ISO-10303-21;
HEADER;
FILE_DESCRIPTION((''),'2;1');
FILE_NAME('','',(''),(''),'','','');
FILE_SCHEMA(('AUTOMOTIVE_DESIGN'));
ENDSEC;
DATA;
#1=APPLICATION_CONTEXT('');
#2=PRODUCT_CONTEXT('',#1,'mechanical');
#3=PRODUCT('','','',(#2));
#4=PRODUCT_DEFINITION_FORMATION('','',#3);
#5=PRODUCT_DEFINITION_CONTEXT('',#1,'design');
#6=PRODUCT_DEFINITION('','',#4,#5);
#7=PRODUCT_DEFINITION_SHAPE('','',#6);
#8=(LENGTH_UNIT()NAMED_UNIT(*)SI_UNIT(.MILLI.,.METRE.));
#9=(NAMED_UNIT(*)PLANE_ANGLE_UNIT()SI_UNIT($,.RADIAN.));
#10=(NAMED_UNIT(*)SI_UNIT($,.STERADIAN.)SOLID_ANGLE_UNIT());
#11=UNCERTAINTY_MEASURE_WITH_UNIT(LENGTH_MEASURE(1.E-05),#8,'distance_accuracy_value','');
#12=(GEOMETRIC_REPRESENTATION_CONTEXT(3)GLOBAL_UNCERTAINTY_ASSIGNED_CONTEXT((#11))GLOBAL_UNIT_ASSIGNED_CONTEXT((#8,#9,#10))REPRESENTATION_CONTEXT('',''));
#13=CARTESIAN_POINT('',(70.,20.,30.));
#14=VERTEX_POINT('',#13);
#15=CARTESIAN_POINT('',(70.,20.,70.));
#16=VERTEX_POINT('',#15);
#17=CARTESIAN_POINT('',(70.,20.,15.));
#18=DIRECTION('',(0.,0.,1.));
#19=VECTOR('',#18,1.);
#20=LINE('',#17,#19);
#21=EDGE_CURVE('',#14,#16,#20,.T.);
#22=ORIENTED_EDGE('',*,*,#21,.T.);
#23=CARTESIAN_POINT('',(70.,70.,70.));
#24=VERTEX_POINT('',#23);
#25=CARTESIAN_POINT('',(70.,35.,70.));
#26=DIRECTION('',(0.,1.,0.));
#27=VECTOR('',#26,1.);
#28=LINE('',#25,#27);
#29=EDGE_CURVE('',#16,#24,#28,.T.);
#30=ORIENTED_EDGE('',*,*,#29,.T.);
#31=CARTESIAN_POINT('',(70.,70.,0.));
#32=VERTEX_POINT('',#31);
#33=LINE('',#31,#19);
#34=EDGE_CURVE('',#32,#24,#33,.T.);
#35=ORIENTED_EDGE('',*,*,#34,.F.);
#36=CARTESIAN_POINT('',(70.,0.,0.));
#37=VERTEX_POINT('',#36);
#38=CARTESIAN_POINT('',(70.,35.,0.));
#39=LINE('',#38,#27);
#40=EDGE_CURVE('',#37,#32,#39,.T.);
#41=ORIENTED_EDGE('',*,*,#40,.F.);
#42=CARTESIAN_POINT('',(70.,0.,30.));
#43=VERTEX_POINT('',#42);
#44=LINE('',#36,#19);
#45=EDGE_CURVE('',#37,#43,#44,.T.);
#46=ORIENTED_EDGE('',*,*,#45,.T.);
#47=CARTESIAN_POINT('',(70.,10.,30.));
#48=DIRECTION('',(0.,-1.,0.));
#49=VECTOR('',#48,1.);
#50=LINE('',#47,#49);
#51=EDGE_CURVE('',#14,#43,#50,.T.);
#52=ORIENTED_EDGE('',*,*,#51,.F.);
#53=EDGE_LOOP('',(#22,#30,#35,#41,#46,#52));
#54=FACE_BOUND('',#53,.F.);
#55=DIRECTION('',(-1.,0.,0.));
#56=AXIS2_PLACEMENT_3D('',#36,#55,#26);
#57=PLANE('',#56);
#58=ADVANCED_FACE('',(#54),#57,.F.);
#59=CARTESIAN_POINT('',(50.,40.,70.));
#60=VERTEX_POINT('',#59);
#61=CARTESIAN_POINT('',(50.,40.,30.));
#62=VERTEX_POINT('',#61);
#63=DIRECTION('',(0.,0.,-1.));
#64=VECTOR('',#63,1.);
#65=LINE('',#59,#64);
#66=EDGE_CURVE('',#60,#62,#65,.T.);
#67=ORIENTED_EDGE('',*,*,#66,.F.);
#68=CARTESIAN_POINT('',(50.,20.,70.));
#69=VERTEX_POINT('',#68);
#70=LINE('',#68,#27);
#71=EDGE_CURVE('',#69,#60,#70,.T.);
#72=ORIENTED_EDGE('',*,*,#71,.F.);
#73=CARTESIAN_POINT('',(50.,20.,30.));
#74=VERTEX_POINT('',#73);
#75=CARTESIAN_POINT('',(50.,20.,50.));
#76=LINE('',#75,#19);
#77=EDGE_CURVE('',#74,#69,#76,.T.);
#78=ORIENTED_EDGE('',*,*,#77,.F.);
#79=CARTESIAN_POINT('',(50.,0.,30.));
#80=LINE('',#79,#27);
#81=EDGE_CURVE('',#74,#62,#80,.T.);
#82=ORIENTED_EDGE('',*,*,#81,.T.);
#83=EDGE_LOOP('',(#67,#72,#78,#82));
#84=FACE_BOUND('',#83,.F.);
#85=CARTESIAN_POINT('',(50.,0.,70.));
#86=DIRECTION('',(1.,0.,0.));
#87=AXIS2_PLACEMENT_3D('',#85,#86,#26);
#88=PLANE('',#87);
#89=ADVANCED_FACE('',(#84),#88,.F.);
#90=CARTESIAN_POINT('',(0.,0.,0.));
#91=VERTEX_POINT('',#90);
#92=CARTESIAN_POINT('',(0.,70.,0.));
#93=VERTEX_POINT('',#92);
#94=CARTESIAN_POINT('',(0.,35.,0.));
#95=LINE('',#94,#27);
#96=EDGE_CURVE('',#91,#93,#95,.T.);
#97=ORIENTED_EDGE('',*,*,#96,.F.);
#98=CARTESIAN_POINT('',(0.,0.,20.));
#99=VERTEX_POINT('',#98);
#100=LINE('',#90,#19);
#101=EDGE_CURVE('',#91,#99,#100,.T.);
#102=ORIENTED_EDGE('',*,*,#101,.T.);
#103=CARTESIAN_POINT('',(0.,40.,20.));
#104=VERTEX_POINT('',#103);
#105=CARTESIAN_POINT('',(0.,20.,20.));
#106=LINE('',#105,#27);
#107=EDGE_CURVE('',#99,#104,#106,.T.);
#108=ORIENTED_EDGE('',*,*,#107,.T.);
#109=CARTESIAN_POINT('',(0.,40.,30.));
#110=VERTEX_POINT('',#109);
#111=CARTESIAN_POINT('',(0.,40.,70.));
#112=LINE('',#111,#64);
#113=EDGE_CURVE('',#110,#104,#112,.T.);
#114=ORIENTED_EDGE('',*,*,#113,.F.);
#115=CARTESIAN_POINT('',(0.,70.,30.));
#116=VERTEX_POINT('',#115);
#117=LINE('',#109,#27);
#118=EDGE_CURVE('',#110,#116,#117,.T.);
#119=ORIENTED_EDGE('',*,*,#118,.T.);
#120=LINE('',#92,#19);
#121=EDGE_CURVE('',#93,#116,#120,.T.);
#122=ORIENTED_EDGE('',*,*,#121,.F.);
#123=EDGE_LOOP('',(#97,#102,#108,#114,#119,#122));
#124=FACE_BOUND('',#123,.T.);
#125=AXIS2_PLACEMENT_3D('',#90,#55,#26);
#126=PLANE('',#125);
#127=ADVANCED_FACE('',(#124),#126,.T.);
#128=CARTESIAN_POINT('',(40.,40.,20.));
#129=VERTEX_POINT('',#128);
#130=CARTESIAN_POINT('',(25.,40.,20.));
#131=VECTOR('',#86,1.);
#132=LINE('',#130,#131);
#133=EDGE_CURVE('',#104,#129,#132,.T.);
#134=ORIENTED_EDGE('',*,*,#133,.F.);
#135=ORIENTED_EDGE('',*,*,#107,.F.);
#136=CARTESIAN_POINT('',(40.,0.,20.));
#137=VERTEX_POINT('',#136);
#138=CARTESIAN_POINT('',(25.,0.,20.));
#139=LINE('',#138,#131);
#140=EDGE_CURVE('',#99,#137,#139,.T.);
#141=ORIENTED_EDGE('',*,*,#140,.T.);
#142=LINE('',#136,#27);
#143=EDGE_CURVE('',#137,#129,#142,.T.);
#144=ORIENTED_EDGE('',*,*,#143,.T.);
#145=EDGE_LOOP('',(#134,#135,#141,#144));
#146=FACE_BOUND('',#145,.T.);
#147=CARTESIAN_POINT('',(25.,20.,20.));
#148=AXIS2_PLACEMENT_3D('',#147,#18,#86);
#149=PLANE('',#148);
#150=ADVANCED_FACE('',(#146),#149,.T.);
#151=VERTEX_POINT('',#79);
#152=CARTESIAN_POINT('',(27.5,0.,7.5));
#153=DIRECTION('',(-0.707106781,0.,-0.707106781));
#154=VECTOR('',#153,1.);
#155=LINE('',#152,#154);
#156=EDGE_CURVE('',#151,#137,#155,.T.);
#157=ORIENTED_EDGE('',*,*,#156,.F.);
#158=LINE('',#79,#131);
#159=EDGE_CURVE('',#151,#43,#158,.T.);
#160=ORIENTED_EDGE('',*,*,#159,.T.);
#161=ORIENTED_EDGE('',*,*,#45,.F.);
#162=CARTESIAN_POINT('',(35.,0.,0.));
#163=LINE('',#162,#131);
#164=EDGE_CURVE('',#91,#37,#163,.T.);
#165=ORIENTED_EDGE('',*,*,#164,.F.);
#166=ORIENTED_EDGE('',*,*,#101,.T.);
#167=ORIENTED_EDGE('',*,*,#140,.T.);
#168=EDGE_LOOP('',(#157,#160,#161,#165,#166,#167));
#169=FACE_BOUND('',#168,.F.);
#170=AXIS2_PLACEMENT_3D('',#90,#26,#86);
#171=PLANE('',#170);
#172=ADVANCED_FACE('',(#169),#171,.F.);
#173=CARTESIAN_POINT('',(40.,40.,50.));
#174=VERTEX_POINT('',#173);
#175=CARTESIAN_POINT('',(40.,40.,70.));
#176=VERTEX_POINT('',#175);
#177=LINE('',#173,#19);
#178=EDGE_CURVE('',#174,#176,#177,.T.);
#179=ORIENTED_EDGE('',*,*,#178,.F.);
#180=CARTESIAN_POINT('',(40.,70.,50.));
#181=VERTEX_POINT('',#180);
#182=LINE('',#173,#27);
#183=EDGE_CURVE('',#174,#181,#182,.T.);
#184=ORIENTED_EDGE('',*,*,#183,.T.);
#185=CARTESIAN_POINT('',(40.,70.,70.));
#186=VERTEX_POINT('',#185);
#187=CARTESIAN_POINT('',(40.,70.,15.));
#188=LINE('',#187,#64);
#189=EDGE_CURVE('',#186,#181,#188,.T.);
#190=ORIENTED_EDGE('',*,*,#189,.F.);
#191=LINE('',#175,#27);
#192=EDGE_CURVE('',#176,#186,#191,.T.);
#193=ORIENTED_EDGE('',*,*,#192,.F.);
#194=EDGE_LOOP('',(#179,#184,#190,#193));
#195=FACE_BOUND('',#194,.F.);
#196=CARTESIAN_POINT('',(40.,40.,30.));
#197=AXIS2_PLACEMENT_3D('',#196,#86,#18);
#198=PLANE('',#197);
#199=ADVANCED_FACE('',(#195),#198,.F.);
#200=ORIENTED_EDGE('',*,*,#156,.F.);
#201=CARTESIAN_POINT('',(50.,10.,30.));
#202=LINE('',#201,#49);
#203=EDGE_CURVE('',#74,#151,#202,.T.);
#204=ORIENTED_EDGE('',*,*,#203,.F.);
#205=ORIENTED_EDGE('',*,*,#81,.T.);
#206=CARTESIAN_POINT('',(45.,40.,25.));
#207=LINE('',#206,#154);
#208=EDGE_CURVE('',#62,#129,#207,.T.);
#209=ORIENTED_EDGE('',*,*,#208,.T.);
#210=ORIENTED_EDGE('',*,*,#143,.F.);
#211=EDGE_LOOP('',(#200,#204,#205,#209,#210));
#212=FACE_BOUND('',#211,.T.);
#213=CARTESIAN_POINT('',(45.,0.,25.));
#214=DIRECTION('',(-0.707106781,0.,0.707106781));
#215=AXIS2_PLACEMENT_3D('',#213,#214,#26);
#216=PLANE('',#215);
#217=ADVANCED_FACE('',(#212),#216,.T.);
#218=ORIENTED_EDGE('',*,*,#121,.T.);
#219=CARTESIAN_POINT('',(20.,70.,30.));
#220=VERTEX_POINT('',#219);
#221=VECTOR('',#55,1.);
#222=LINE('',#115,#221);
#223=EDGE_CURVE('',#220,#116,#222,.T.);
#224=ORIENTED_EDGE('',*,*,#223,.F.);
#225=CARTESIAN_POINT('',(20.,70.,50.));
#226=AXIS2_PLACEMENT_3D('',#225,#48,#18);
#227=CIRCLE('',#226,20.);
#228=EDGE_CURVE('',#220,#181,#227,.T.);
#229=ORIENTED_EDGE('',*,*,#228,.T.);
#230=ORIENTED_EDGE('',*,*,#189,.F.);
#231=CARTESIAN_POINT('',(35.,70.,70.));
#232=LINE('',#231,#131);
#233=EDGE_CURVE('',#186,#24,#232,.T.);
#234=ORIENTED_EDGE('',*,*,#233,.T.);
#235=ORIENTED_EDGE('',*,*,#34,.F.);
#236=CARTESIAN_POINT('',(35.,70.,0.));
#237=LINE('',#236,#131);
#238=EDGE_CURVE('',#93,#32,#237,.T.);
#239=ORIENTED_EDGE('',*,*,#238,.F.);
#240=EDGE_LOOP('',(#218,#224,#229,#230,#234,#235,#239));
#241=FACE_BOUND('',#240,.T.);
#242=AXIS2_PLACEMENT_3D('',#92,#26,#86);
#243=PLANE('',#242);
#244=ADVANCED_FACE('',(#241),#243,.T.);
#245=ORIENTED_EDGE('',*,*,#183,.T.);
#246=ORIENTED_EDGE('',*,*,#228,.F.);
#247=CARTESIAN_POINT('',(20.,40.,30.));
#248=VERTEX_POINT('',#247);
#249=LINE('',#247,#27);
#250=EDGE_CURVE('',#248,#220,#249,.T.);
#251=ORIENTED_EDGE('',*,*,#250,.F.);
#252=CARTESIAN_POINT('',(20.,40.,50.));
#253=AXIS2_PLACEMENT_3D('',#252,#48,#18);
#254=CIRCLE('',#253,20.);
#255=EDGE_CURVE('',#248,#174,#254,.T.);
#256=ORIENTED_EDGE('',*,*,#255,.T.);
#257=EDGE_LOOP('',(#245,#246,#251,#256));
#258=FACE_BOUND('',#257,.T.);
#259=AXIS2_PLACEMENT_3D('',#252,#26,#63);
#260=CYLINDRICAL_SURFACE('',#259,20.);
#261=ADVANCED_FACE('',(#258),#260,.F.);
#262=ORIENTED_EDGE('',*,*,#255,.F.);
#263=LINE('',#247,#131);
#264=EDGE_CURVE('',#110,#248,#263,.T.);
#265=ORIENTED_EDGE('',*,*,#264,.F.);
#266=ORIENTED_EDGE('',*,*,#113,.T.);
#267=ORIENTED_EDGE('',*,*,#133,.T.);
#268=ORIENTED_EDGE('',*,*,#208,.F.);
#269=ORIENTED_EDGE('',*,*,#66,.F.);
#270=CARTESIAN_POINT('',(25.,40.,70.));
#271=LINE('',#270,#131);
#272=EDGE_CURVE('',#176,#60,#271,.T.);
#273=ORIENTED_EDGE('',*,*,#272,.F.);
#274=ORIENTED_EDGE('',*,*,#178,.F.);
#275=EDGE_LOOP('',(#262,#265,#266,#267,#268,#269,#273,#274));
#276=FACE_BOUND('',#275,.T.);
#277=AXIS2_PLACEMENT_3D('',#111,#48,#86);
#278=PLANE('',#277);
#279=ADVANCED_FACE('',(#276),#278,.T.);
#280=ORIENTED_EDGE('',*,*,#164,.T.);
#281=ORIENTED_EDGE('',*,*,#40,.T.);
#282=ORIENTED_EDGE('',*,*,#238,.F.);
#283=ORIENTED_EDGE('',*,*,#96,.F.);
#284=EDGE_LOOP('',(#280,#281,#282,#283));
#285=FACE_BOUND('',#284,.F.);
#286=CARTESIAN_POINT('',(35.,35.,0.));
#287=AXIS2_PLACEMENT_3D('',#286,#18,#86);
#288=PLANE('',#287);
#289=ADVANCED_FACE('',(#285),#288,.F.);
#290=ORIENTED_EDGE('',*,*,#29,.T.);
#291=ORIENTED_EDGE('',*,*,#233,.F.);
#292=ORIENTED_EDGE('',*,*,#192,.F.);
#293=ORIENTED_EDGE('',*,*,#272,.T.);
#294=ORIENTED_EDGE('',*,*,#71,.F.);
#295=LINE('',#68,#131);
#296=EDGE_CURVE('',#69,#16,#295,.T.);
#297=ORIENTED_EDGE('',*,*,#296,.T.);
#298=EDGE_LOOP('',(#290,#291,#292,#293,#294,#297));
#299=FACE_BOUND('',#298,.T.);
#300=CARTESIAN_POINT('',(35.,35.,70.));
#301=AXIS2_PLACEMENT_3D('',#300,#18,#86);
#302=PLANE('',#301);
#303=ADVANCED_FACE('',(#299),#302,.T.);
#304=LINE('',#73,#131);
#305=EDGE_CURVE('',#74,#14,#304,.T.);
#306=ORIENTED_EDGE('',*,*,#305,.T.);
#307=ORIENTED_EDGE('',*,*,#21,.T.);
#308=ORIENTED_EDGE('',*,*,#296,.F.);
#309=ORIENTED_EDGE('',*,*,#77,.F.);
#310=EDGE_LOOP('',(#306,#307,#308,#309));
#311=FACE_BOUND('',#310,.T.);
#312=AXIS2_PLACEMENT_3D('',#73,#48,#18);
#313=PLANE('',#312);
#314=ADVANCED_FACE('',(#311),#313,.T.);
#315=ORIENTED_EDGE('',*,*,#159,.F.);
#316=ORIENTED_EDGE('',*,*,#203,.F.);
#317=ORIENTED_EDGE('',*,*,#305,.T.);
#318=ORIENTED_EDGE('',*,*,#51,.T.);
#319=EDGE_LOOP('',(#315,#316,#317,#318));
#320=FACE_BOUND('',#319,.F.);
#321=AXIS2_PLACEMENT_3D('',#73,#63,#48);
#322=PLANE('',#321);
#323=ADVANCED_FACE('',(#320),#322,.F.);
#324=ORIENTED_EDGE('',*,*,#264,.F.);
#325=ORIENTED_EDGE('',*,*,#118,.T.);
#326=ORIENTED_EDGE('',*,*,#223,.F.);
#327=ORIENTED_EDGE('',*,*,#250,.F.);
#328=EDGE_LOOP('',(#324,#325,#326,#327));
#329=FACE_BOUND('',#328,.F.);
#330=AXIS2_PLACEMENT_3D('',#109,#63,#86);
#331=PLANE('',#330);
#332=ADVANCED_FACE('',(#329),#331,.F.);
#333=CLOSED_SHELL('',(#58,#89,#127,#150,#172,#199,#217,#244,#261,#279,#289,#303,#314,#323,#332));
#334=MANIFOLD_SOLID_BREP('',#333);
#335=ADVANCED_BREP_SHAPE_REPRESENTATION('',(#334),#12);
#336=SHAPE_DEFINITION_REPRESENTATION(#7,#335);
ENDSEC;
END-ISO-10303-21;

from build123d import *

# Parameters (mm, degrees)
F0_W     = 70
F0_H     = 70
F1_DEPTH = 70
F2_W     = 50
F2_H     = 40
F3_DEPTH = 50
F4_W     = 40
F4_H     = 40
F5_DEPTH = 30.001
F6_R     = 20
F7_W     = 20
F7_H     = 40
F8_DEPTH = 20.001
F9_SIZE  = 10


with BuildPart() as f1:
    # F0 (on Top) → F1 (new body)
    with BuildSketch(Plane.XY):
        with Locations((35, 35)):
            Rectangle(F0_W, F0_H)
    extrude(amount=F1_DEPTH)

    # F2 (on face) → F3 (cut)
    with BuildSketch(Plane.XY.offset(70)):
        with Locations((25, 20)):
            Rectangle(F2_W, F2_H)
    extrude(amount=-F3_DEPTH, mode=Mode.SUBTRACT)

    # F4 (on face) → F5 (cut, through all)
    with BuildSketch(Plane.XZ.offset(-40)):
        with Locations((20, 50)):
            Rectangle(F4_W, F4_H)
    extrude(amount=-F5_DEPTH, mode=Mode.SUBTRACT)

    # F6
    f6_edges = [f1.edges().sort_by_distance(p)[0] for p in [
        (40, 55, 30),
    ]]
    fillet(f6_edges, radius=F6_R)

    # F7 (on face) → F8 (cut, through all)
    with BuildSketch(Plane(origin=(50, 0, 0), x_dir=(0, -1, 0), z_dir=(-1, 0, 0))):
        with Locations((-10, 50)):
            Rectangle(F7_W, F7_H)
    extrude(amount=-F8_DEPTH, mode=Mode.SUBTRACT)

    # F9
    f9_edges = [f1.edges().sort_by_distance(p)[0] for p in [
        (50, 20, 20),
    ]]
    chamfer(f9_edges, length=F9_SIZE)


solid = f1.part
